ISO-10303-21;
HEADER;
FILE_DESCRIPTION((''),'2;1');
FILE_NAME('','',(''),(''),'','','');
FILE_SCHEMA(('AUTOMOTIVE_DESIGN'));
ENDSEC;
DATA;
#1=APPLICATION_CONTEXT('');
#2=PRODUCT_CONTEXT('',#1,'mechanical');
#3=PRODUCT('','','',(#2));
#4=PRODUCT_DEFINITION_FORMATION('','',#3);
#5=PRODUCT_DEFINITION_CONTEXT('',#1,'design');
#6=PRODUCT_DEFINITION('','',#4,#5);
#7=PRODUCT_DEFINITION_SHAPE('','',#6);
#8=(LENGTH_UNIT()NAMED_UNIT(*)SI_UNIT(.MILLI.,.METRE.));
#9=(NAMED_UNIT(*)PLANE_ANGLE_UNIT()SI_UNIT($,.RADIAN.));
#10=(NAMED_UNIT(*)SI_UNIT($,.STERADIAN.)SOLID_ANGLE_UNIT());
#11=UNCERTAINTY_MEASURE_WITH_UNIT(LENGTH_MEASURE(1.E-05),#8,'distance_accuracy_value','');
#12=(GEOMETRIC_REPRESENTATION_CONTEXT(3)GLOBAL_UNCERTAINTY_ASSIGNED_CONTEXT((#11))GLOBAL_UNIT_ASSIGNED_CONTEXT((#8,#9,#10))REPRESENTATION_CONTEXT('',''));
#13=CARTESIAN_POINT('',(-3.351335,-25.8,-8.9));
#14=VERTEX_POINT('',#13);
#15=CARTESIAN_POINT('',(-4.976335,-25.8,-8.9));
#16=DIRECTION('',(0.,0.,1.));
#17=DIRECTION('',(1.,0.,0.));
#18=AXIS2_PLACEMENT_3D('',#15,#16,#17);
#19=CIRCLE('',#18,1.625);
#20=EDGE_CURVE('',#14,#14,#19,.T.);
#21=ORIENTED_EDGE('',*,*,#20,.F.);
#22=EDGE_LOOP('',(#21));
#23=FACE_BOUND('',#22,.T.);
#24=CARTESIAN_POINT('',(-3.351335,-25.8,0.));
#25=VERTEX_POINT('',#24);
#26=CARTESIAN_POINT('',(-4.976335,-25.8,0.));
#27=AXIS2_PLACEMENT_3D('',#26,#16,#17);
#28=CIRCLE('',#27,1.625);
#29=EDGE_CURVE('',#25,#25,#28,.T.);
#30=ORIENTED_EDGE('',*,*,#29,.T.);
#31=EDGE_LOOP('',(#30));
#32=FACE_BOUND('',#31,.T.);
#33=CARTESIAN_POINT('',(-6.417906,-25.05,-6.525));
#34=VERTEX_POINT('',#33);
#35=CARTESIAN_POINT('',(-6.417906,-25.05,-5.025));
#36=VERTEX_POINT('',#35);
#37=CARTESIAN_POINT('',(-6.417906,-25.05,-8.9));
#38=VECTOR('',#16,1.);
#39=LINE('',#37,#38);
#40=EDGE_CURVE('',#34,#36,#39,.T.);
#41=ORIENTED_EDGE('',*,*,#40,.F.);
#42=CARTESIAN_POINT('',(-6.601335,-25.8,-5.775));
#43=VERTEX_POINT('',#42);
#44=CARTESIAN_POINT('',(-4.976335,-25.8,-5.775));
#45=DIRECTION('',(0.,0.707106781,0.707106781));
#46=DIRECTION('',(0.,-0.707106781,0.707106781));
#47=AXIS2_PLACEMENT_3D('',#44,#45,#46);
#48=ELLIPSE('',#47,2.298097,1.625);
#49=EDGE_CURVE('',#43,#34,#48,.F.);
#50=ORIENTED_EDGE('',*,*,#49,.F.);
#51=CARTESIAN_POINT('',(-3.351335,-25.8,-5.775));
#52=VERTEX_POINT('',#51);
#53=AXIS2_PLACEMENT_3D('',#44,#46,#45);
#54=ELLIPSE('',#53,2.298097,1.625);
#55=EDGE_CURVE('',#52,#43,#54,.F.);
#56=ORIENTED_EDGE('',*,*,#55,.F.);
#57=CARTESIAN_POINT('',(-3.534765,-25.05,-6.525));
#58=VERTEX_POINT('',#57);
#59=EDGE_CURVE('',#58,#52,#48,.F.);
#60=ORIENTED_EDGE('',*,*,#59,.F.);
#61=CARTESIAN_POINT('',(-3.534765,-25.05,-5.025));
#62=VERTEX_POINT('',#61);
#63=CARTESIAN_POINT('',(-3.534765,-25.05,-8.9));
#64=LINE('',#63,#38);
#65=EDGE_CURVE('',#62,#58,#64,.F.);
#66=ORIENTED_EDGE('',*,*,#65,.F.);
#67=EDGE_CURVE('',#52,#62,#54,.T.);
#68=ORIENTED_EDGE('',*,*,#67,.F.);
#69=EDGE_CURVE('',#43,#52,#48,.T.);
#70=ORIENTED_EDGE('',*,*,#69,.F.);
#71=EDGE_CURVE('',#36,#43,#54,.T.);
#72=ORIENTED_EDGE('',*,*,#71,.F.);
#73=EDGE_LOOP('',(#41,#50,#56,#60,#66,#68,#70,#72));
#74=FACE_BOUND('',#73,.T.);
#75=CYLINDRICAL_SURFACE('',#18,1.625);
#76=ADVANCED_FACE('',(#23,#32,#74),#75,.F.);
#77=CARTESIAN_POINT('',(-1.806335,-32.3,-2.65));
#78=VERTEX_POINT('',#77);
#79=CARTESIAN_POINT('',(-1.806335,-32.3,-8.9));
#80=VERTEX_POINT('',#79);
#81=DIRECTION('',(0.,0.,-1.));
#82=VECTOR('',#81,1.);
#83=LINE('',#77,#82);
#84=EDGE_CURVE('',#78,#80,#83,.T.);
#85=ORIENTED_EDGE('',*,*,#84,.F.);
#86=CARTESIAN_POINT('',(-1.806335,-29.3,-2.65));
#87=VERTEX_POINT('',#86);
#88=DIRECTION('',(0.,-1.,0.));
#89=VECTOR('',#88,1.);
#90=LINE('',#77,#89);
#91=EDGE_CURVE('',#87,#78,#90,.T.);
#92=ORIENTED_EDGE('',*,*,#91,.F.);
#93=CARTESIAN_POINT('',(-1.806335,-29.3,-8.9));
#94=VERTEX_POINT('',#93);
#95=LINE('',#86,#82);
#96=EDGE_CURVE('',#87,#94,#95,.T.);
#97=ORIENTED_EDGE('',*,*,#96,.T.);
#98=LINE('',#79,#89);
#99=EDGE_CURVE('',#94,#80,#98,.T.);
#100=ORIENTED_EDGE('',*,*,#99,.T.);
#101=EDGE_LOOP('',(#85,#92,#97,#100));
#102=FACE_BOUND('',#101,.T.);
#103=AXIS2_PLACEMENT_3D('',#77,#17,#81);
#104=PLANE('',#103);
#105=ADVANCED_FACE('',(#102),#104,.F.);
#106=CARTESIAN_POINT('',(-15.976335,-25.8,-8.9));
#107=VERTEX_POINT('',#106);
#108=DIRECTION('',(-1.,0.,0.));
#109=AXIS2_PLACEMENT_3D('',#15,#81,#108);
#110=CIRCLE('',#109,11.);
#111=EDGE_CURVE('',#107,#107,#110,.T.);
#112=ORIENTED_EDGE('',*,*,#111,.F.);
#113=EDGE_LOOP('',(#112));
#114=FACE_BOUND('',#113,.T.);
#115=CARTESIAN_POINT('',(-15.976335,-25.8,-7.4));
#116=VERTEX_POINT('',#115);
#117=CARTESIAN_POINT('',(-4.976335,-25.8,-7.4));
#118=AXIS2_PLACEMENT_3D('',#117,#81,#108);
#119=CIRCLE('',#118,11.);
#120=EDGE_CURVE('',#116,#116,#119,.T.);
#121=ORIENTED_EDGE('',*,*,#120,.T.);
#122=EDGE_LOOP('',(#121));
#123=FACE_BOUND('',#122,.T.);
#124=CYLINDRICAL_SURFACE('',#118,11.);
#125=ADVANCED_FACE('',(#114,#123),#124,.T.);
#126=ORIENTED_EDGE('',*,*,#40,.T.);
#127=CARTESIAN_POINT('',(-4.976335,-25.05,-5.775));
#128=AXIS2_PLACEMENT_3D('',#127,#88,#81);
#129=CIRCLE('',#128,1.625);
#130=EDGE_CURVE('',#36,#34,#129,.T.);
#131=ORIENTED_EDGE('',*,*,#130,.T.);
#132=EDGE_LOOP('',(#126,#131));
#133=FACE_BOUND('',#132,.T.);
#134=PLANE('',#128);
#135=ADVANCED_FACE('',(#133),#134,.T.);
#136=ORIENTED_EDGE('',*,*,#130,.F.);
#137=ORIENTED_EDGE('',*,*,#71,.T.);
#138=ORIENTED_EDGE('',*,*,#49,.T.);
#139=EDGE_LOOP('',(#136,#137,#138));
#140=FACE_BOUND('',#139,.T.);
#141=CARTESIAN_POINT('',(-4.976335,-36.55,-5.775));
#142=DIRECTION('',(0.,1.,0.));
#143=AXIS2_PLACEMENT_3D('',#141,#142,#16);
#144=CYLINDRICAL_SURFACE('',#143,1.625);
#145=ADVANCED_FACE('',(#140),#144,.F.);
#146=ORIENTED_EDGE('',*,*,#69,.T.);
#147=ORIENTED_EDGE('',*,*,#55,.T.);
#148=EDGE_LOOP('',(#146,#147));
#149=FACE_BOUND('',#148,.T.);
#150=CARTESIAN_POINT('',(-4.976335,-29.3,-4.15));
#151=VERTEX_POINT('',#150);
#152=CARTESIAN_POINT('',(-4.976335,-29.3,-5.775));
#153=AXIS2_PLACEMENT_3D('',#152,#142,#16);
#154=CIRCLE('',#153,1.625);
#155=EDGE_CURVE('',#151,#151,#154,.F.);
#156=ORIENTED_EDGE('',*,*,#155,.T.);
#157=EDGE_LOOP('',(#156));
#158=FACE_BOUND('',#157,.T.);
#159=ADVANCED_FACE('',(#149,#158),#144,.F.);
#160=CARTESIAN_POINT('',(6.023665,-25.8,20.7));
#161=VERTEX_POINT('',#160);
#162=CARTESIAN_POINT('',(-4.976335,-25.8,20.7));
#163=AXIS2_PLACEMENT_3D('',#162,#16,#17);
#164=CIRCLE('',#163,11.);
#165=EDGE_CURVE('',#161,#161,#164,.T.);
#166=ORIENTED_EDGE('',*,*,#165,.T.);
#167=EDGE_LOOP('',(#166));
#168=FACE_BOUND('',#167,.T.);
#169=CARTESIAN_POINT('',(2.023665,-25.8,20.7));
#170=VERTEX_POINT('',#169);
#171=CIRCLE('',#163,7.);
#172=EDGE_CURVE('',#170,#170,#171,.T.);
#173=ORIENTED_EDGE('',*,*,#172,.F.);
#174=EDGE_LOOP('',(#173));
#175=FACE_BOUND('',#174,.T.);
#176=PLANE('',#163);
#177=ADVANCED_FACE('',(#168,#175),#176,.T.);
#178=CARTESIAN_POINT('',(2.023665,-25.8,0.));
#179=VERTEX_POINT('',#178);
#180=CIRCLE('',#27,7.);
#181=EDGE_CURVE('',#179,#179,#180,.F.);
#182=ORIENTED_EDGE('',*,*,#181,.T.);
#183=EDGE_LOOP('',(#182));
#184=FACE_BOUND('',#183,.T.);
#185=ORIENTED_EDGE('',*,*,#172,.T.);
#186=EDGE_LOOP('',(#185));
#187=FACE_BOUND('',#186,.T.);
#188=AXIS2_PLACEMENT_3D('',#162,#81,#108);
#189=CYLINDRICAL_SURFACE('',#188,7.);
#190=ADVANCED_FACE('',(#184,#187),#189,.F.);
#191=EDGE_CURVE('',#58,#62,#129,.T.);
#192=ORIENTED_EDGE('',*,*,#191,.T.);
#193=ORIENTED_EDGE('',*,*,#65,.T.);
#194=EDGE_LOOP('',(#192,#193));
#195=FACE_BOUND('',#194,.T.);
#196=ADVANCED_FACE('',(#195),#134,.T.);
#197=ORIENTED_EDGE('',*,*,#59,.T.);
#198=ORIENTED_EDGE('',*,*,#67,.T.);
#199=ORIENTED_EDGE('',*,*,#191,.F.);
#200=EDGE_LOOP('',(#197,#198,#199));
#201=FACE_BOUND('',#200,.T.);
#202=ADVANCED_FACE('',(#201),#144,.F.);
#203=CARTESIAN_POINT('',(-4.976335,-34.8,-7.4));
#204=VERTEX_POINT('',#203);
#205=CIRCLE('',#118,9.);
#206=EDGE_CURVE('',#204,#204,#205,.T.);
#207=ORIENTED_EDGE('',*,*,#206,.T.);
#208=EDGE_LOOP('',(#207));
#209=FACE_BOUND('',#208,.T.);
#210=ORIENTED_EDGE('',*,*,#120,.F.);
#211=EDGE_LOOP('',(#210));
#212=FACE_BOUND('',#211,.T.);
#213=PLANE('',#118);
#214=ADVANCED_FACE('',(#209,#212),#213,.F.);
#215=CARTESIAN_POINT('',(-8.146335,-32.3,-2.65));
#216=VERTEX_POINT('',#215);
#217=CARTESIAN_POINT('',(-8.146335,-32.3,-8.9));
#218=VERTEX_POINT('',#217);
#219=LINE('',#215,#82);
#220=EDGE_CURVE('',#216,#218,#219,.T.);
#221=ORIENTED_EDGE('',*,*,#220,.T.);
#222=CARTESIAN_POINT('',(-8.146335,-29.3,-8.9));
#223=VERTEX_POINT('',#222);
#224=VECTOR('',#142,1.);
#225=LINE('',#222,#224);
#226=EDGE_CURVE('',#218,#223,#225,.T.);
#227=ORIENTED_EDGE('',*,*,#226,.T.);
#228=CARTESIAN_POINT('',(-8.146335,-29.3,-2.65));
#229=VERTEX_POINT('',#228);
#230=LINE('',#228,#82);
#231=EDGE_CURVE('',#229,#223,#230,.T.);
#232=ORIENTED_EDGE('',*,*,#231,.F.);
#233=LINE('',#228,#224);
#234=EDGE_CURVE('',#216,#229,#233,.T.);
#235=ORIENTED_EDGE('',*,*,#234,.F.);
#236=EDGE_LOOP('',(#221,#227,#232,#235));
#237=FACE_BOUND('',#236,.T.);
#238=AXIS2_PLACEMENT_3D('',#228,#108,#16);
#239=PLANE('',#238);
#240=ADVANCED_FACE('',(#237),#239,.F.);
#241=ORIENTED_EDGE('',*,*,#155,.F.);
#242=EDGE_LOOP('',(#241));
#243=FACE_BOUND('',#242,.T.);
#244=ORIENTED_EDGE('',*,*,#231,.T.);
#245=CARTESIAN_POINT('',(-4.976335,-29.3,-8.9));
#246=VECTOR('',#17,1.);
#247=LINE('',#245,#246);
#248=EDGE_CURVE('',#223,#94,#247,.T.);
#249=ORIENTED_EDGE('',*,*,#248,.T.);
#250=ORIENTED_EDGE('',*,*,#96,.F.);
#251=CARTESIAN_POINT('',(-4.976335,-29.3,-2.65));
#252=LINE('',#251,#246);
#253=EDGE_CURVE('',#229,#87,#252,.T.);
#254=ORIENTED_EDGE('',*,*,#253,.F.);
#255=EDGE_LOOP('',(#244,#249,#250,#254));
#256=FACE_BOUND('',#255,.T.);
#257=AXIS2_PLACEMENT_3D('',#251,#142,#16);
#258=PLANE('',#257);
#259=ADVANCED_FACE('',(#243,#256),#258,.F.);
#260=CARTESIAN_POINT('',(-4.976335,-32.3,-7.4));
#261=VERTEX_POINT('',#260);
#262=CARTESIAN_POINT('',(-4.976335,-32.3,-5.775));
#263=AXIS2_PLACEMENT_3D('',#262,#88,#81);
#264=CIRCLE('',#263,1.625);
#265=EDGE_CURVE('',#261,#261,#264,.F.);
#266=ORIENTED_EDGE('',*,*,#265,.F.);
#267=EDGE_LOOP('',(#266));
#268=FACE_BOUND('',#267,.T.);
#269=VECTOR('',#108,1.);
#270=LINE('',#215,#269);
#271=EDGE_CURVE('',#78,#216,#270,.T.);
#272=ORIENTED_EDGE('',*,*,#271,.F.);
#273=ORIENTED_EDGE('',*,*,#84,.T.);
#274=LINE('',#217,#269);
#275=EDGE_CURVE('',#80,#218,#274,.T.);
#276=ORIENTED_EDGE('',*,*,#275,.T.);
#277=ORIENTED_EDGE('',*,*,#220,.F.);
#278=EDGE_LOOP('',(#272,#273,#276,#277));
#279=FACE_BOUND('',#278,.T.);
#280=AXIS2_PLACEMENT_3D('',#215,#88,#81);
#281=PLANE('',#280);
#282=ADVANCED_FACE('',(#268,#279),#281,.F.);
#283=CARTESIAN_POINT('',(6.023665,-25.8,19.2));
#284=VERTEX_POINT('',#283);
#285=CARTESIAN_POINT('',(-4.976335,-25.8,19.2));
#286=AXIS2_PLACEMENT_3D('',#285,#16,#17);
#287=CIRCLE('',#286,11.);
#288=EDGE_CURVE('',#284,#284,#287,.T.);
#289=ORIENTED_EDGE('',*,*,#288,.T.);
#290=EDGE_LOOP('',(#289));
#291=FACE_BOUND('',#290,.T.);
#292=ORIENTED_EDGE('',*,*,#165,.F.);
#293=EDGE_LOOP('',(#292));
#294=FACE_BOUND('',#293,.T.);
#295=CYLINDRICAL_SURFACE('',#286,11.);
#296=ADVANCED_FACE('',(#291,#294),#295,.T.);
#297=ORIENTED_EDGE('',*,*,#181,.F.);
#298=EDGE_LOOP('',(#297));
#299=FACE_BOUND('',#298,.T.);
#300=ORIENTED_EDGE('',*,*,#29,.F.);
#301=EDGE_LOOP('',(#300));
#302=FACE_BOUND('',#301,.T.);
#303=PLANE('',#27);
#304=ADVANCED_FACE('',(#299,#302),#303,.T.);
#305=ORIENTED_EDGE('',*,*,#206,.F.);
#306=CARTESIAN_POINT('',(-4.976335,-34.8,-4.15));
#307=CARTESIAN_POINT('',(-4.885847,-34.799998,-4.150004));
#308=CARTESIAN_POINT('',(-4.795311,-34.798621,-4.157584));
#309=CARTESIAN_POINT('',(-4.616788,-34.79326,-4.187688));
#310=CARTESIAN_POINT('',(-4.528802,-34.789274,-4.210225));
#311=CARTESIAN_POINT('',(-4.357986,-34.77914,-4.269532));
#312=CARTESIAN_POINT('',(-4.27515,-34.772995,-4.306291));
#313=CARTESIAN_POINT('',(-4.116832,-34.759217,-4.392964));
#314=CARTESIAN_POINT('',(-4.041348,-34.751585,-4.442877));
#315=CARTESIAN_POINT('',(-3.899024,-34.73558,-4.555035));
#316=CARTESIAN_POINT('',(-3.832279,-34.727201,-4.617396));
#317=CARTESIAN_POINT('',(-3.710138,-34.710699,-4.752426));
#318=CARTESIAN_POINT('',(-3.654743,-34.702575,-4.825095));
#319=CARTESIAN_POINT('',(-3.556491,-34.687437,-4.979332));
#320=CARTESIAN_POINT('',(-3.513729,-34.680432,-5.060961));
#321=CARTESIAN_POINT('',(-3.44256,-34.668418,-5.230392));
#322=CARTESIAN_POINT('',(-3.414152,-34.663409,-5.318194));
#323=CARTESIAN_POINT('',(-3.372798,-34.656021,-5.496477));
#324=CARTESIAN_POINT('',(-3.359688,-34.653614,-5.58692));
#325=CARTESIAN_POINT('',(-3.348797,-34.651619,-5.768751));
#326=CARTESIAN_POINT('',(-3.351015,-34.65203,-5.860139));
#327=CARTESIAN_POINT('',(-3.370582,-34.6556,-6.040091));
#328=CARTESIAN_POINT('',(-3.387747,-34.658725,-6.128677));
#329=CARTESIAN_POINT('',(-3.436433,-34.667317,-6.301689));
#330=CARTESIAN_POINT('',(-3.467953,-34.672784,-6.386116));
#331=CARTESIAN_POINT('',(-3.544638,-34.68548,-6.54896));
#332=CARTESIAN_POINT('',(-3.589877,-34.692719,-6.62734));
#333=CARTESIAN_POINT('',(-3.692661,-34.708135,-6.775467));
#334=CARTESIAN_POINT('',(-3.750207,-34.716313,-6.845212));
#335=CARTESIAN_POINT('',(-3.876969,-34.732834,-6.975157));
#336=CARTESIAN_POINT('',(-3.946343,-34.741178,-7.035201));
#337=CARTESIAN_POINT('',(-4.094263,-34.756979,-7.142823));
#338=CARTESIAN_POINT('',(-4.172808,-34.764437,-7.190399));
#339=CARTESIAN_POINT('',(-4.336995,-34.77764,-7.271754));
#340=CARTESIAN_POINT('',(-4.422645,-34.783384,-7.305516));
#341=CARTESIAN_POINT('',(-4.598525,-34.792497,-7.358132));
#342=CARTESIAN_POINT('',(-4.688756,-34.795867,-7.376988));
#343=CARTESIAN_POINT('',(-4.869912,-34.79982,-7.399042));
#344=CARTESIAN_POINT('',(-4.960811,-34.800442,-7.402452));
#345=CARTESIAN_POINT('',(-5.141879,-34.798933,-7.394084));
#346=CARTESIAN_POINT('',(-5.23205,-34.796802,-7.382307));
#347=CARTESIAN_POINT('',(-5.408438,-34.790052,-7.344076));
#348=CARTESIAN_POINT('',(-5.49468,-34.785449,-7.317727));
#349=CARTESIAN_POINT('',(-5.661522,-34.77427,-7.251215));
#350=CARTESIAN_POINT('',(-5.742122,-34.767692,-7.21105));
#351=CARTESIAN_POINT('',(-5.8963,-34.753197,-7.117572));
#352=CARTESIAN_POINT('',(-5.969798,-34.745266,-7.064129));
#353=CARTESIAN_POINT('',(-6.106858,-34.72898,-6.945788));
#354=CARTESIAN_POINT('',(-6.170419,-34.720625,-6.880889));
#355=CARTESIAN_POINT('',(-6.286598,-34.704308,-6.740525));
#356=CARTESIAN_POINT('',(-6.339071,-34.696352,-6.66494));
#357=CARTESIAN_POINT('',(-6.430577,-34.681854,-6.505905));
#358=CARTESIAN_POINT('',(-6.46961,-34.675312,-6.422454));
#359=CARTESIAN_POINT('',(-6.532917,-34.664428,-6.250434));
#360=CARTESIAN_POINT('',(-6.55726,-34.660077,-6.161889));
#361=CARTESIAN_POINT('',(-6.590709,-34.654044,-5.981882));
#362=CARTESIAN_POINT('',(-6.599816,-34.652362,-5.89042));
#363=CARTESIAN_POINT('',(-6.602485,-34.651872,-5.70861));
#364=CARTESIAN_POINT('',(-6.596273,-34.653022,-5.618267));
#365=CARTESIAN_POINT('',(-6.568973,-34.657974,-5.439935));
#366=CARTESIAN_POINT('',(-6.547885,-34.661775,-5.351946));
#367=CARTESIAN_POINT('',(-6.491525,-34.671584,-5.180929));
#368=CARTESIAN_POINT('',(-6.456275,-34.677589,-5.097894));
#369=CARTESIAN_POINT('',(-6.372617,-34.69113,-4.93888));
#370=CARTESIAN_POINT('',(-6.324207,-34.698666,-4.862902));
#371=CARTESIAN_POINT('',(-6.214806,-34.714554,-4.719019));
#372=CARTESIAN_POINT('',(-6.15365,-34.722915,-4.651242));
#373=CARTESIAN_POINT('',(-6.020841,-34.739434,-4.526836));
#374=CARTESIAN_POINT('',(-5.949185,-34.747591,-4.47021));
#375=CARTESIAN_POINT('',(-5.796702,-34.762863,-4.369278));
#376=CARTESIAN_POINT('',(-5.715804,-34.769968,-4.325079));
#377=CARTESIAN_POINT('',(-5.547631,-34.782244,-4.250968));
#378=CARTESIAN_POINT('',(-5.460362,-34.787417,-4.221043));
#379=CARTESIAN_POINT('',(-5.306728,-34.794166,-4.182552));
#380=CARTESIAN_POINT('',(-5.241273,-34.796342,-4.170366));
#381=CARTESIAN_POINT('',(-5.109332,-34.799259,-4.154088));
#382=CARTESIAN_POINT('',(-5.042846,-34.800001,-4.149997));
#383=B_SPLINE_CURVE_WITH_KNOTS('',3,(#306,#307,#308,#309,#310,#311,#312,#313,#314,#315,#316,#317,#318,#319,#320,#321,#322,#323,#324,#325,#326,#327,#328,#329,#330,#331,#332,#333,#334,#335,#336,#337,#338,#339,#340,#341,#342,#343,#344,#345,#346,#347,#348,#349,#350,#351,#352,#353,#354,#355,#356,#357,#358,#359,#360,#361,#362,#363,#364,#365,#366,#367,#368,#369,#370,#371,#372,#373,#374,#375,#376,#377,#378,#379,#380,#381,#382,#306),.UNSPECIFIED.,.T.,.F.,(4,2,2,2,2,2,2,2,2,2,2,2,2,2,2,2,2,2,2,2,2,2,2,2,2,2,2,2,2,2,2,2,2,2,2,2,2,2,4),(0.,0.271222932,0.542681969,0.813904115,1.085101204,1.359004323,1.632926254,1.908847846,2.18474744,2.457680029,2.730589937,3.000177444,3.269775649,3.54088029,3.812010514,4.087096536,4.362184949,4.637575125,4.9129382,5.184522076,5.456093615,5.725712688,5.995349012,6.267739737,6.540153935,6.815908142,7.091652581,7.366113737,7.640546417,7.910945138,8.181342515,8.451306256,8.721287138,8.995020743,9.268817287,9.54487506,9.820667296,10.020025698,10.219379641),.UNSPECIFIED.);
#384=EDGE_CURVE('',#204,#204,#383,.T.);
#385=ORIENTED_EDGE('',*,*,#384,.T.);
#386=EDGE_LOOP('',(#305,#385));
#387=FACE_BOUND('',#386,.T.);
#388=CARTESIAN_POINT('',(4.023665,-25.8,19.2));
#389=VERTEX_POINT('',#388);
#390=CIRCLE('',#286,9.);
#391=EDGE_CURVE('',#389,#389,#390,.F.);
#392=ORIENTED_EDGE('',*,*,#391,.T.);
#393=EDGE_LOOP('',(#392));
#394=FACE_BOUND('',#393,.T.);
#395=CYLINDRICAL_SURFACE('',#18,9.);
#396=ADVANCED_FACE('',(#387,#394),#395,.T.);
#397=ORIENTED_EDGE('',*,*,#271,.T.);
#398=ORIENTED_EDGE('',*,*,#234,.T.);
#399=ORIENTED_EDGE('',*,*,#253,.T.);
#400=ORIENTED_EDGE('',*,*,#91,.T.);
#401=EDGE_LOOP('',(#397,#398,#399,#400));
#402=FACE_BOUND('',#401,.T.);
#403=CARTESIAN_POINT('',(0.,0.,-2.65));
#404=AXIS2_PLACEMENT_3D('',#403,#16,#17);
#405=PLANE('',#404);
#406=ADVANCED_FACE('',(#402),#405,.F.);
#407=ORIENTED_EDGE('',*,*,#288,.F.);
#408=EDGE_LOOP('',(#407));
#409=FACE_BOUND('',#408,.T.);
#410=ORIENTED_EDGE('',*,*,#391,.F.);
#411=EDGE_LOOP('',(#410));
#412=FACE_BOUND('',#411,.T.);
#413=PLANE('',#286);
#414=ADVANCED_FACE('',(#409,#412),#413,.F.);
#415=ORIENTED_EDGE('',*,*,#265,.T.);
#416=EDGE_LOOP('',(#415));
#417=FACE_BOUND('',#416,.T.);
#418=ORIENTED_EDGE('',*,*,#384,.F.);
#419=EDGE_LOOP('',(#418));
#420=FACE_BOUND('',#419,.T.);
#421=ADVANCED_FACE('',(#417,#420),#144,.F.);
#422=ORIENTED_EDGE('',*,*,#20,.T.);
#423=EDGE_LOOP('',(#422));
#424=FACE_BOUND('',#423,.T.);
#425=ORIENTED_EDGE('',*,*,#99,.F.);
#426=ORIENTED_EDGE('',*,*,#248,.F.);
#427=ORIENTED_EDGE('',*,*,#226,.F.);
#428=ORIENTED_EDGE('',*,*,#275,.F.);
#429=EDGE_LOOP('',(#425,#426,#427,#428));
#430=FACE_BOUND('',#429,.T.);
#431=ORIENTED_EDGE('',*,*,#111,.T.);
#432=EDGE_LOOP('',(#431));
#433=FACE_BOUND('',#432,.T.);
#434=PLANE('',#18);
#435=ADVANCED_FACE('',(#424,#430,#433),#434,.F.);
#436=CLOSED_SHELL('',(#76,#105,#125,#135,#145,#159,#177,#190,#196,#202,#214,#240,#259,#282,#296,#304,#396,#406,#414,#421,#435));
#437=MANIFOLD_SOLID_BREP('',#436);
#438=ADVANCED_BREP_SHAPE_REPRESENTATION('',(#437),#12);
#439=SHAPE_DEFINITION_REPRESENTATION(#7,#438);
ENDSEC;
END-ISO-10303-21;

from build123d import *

# Parameters (mm, degrees)
CROQUIS1_R                 = 9
CROQUIS1_R_2               = 1.625
SALIENTE_EXTRUIR1_DEPTH    = 8.9
SALIENTE_EXTRUIR2_START    = 20.7
CROQUIS2_R                 = 9
CROQUIS2_R_2               = 7
SALIENTE_EXTRUIR2_DEPTH    = 20.7
CORTAR_EXTRUIR1_DEPTH      = 6.25
CORTAR_EXTRUIR2_DEPTH      = 7.25
CORTAR_EXTRUIR2_DEPTH_BACK = 4.25
CROQUIS4_R                 = 1.625
CROQUIS7_R                 = 11
CROQUIS7_R_2               = 7
SALIENTE_EXTRUIR3_DEPTH    = 1.5
SALIENTE_EXTRUIR4_START    = -1.5
CROQUIS8_R                 = 11
CROQUIS8_R_2               = 9
SALIENTE_EXTRUIR4_DEPTH    = 1.5


with BuildPart() as part:
    # Croquis1 → Saliente-Extruir1 (new body)
    with BuildSketch(Plane.XY):
        with Locations((-4.976335362, -25.8)):
            Circle(CROQUIS1_R)
        with Locations((-4.976335362, -25.8)):
            Circle(CROQUIS1_R_2, mode=Mode.SUBTRACT)
    extrude(amount=-SALIENTE_EXTRUIR1_DEPTH)

    # Croquis2 → Saliente-Extruir2 (add)
    with BuildSketch(Plane.XY.offset(SALIENTE_EXTRUIR2_START)):
        with Locations((-4.976335362, -25.8)):
            Circle(CROQUIS2_R)
        with Locations((-4.976335362, -25.8)):
            Circle(CROQUIS2_R_2, mode=Mode.SUBTRACT)
    extrude(amount=-SALIENTE_EXTRUIR2_DEPTH)

    # Croquis3 → Cortar-Extruir1 (cut)
    with BuildSketch(Plane(origin=(0, 0, -8.9), x_dir=(-1, 0, 0), z_dir=(0, 0, -1))):
        Polygon((8.146335362, -29.3), (8.146335362, -32.3), (1.806335362, -32.3), (1.806335362, -29.3), (4.976335362, -29.3), align=None)
    extrude(amount=-CORTAR_EXTRUIR1_DEPTH, mode=Mode.SUBTRACT)

    # Croquis4 → Cortar-Extruir2 (cut, two sides: drawn at the far end of the back side and taken through both)
    with BuildSketch(Plane.XZ.offset(29.3).offset(-CORTAR_EXTRUIR2_DEPTH_BACK)):
        with Locations(Location((-4.976335362, -5.775, 0), (0, 0, 90))):
            Circle(CROQUIS4_R)
    extrude(amount=CORTAR_EXTRUIR2_DEPTH + CORTAR_EXTRUIR2_DEPTH_BACK, mode=Mode.SUBTRACT)

    # Croquis7 → Saliente-Extruir3 (add)
    with BuildSketch(Plane.XY.offset(20.7)):
        with Locations((-4.976335362, -25.8)):
            Circle(CROQUIS7_R)
        with Locations((-4.976335362, -25.8)):
            Circle(CROQUIS7_R_2, mode=Mode.SUBTRACT)
    extrude(amount=-SALIENTE_EXTRUIR3_DEPTH)

    # Croquis8 → Saliente-Extruir4 (add)
    with BuildSketch(Plane(origin=(0, 0, -8.9), x_dir=(-1, 0, 0), z_dir=(0, 0, -1)).offset(SALIENTE_EXTRUIR4_START)):
        with Locations(Location((4.976335362, -25.8, 0), (0, 0, 180))):
            Circle(CROQUIS8_R)
        with Locations(Location((4.976335362, -25.8, 0), (0, 0, 180))):
            Circle(CROQUIS8_R_2, mode=Mode.SUBTRACT)
    extrude(amount=SALIENTE_EXTRUIR4_DEPTH)


solid = part.part
